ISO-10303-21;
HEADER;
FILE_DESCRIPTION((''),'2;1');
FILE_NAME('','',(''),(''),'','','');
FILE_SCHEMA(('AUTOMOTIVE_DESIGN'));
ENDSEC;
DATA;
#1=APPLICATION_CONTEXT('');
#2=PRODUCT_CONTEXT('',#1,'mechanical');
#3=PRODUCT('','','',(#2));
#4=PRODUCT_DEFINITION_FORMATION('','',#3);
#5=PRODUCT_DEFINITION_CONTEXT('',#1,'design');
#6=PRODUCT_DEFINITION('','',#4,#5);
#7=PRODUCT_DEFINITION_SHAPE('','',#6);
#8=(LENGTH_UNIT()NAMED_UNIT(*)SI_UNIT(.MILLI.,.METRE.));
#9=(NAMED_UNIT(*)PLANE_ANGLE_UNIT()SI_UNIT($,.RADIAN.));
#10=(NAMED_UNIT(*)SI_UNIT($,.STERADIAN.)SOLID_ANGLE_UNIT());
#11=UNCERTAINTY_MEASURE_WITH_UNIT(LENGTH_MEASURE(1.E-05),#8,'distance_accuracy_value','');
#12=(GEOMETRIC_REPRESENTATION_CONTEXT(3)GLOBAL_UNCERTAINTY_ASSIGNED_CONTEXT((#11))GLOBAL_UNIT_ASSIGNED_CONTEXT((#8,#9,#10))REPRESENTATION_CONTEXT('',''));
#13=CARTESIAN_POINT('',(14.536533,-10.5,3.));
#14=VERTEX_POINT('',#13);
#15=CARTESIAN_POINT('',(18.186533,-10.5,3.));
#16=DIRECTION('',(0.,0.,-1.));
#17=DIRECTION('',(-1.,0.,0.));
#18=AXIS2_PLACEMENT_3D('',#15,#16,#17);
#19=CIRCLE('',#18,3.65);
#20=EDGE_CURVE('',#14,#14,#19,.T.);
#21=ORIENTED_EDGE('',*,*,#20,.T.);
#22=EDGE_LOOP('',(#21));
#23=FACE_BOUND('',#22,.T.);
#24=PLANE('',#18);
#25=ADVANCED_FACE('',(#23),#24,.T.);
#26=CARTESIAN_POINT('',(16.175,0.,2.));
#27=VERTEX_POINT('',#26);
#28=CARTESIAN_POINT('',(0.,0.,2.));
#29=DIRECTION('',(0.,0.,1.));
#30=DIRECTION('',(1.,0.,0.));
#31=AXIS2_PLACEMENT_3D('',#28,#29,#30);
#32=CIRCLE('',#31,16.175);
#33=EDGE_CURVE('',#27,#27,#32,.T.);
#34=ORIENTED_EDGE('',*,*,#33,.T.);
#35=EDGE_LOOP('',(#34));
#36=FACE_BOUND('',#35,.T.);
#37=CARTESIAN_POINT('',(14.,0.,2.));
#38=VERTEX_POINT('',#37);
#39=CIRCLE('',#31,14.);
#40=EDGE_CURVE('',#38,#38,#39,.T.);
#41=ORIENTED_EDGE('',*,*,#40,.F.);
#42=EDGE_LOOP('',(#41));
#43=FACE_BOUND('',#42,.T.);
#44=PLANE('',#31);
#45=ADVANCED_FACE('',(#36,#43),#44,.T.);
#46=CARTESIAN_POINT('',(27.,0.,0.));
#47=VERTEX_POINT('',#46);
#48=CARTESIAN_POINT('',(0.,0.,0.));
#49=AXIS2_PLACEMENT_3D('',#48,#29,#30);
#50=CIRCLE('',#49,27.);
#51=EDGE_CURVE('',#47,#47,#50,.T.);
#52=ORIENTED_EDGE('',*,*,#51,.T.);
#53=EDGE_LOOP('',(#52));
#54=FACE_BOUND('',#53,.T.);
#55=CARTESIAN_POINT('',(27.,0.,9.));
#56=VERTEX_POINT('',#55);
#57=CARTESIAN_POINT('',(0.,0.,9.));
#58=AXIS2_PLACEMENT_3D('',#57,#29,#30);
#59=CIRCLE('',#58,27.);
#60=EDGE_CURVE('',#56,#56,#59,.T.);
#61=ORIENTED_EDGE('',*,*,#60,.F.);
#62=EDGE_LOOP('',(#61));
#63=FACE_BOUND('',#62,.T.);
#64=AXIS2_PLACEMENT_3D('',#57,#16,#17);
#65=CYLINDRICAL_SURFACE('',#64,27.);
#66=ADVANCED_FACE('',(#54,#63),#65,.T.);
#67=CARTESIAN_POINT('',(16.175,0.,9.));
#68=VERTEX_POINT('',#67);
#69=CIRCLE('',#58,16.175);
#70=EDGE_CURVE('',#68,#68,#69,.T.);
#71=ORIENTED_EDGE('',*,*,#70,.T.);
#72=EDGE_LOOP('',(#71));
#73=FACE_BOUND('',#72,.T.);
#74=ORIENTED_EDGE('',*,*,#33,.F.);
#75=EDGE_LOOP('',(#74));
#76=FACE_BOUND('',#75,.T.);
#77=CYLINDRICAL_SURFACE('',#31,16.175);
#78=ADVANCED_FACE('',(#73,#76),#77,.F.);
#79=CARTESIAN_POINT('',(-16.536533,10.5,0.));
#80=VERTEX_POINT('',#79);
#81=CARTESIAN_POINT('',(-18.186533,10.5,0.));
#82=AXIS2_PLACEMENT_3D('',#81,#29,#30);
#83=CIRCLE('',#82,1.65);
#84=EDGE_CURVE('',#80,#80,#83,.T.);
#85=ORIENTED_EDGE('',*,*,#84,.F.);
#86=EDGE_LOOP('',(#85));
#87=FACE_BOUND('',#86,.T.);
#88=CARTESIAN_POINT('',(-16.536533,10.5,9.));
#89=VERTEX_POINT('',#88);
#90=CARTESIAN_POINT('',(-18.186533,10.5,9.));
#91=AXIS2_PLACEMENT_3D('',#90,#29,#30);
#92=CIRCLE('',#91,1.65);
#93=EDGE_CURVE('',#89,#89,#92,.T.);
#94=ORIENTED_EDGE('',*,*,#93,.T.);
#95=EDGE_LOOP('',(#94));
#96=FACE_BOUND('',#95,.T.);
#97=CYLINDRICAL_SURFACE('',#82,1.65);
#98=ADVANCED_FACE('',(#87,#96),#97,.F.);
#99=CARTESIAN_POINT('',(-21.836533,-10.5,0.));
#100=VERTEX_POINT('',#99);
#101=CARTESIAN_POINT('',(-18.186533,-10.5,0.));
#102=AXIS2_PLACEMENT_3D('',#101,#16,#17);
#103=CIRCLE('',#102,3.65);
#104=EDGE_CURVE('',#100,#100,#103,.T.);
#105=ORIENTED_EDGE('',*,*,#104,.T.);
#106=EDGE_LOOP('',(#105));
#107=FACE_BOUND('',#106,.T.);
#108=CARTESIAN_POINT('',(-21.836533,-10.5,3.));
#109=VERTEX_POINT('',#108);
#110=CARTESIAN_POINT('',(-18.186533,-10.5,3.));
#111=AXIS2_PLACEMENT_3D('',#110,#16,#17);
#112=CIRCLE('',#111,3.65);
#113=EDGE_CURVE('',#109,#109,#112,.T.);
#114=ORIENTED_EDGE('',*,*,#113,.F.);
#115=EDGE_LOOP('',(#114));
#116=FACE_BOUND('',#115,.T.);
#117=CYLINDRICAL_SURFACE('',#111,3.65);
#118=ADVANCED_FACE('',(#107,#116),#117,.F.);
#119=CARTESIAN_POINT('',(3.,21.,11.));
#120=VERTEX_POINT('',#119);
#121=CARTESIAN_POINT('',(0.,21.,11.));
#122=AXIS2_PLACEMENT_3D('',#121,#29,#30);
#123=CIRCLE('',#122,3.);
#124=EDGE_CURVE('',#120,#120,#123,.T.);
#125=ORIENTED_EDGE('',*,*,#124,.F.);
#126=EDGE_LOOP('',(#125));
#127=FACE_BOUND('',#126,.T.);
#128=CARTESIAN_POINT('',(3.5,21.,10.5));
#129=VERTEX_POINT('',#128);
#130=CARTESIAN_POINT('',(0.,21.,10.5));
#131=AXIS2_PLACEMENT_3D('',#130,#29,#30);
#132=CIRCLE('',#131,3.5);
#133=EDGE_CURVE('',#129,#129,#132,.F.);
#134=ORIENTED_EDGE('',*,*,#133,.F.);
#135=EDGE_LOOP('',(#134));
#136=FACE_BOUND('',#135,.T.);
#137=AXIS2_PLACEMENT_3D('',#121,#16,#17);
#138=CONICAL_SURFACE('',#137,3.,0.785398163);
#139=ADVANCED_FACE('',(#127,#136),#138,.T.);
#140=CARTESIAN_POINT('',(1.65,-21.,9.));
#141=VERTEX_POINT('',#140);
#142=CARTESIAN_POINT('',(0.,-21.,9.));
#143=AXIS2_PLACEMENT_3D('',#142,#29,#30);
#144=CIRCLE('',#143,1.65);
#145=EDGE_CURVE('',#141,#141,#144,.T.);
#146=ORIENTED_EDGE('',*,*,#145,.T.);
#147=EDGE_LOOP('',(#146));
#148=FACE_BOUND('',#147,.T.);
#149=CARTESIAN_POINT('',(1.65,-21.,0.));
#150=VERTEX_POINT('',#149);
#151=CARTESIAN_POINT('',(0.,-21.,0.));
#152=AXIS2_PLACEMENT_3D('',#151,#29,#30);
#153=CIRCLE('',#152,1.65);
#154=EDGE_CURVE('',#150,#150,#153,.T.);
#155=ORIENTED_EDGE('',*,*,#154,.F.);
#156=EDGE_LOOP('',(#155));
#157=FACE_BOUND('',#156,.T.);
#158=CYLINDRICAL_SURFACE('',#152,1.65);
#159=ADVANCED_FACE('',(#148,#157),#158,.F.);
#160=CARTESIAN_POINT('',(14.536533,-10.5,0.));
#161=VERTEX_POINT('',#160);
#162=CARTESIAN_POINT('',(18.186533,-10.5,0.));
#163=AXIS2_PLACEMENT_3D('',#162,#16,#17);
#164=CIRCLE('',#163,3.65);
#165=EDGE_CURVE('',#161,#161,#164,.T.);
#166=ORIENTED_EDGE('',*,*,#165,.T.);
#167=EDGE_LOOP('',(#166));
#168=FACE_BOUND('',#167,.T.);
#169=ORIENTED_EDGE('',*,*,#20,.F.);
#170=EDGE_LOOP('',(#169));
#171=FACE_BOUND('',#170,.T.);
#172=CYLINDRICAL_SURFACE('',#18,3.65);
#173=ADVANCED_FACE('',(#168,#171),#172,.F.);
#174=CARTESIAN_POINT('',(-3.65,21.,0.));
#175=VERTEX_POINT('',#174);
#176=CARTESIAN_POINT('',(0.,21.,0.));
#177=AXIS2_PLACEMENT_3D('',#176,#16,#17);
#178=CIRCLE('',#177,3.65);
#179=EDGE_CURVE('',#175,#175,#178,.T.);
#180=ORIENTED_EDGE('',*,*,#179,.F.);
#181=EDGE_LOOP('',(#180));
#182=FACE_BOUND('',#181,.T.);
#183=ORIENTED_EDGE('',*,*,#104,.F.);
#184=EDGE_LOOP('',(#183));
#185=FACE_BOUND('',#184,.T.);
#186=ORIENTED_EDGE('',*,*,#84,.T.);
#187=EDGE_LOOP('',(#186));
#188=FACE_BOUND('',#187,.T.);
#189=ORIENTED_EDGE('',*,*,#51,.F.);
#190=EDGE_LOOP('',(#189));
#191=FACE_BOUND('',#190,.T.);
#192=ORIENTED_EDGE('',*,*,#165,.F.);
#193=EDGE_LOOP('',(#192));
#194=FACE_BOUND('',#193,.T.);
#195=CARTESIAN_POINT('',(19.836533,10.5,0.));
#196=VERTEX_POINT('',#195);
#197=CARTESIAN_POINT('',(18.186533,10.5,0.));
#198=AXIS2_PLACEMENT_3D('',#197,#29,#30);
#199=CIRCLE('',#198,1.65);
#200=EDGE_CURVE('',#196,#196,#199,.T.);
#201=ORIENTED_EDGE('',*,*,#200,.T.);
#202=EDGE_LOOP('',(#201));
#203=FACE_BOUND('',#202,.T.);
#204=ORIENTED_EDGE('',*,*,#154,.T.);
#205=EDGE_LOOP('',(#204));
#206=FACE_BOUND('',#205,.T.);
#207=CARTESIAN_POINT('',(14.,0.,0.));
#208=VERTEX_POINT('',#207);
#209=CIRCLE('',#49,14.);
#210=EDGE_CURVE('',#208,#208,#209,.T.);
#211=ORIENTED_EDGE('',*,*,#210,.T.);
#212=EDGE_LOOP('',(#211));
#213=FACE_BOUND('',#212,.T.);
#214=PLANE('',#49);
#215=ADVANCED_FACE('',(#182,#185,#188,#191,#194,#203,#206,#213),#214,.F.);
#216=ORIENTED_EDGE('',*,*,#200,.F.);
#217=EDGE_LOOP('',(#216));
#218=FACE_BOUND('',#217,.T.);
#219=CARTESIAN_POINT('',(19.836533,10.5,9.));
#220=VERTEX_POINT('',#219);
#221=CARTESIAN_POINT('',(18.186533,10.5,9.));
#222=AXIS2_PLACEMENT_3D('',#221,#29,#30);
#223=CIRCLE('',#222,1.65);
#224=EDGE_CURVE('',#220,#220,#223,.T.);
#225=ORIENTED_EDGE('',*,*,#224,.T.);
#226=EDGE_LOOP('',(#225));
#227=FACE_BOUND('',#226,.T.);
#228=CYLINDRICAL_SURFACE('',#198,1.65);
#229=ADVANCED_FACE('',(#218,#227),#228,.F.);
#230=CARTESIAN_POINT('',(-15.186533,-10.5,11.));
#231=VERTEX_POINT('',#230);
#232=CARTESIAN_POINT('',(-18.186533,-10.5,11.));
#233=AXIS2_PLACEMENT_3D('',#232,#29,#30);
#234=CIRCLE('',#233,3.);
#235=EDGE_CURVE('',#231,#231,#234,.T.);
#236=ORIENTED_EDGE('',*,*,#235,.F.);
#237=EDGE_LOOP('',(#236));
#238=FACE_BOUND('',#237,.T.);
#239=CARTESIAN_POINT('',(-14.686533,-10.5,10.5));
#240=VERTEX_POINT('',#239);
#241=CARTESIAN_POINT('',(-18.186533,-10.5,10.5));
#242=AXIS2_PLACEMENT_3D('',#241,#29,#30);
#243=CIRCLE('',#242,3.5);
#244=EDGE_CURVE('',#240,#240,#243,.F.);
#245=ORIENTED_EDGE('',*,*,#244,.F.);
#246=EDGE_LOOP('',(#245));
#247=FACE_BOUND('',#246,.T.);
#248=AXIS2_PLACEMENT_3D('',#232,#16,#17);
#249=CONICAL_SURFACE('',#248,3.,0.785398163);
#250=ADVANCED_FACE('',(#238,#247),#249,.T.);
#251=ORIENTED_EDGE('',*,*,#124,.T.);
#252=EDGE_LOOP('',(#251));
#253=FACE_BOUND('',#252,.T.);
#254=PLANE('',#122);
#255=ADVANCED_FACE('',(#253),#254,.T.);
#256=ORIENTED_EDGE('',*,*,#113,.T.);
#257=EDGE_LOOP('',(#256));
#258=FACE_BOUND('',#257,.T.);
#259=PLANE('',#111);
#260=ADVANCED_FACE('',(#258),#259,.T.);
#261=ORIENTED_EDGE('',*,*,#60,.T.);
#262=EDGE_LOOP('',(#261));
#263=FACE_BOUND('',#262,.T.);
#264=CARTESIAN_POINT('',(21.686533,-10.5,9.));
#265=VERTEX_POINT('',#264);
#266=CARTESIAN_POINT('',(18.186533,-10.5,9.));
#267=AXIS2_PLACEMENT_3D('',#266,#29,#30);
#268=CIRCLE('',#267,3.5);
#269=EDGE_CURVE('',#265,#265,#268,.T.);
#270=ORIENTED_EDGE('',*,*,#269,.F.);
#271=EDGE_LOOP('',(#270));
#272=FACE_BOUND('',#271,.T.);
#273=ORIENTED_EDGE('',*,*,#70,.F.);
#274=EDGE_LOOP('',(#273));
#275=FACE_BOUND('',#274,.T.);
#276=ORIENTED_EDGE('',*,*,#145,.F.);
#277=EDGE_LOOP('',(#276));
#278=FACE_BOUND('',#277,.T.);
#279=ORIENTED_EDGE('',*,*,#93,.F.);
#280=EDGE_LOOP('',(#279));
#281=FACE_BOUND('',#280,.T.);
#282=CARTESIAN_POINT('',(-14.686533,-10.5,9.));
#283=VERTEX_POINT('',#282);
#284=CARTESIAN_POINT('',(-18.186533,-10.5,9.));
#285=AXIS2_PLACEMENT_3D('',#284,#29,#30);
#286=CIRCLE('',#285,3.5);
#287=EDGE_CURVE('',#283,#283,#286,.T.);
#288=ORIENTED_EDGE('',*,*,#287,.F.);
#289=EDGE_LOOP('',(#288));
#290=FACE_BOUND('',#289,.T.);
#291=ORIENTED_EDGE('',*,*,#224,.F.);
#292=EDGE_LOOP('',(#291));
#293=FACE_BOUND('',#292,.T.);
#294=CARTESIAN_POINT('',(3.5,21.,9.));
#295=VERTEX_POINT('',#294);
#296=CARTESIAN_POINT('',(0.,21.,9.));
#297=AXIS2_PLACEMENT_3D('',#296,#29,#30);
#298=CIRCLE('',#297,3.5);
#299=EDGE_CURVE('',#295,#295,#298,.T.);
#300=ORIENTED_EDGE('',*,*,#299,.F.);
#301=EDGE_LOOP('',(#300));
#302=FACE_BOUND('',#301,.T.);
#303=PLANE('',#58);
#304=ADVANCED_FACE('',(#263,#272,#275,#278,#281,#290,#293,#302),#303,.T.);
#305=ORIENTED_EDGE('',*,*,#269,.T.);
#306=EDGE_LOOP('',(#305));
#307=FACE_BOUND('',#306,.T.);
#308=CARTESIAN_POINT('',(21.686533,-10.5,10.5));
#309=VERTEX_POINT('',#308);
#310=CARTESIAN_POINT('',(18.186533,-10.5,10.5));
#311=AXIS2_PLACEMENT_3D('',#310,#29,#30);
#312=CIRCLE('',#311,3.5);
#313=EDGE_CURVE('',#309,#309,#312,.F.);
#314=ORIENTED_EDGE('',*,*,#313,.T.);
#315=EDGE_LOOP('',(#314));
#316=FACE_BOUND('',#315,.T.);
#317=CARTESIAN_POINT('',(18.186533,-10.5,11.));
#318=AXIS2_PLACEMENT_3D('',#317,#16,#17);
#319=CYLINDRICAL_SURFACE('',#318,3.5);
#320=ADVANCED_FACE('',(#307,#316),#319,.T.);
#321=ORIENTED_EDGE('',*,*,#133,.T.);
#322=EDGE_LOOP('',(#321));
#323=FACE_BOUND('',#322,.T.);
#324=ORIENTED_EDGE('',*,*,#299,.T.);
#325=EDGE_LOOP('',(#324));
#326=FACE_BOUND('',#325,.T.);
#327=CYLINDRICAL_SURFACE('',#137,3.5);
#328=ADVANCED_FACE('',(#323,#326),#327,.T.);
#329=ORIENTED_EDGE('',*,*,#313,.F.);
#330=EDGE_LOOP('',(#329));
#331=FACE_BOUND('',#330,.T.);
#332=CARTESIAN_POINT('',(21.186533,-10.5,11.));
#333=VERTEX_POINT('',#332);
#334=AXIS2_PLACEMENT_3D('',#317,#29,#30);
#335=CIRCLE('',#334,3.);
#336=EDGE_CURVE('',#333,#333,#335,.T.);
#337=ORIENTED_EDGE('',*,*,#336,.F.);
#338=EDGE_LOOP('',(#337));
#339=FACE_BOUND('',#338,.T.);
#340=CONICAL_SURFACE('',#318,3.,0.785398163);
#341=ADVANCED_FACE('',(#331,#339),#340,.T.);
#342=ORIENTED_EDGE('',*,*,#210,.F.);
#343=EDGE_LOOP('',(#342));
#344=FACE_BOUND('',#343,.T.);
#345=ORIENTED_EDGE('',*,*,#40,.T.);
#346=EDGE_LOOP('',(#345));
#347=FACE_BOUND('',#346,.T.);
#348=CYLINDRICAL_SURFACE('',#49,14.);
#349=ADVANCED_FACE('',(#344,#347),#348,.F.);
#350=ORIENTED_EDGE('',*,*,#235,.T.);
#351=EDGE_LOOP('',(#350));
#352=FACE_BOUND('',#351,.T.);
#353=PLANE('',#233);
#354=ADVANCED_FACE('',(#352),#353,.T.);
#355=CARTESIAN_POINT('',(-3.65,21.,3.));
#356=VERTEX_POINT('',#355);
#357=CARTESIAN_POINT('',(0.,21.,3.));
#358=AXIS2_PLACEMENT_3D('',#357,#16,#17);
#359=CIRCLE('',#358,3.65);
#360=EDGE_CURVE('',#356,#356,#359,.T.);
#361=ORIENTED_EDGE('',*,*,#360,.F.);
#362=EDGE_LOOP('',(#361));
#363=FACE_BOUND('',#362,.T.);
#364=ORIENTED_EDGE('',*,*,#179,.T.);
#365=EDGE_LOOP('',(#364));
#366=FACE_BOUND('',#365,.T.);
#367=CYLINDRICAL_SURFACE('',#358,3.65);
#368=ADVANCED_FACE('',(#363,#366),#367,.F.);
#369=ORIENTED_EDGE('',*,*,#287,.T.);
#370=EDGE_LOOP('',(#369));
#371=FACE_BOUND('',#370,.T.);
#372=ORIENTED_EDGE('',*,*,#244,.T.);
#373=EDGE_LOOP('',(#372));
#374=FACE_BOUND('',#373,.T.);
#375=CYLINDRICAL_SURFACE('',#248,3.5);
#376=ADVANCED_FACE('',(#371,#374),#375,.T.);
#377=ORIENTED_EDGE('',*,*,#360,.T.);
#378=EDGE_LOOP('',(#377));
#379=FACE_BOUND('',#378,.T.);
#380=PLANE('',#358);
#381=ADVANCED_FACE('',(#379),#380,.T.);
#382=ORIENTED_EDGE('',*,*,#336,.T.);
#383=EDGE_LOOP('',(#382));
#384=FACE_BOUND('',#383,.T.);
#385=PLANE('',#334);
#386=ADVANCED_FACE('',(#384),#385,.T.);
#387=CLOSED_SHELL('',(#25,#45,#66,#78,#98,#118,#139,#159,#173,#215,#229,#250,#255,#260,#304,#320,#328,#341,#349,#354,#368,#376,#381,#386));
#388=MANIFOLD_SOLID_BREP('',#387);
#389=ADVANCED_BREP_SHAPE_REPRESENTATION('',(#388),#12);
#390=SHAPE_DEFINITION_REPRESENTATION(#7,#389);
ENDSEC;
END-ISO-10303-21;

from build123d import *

# Parameters (mm, degrees)
SKETCH_1_R            = 27
EXTRUDE_360_DEPTH     = 9
SKETCH_2_R            = 16.175
CUT_EXTRUDE_445_DEPTH = 7
SKETCH_3_R            = 14
CUT_EXTRUDE_528_DEPTH = 39.820097888
SKETCH_4_R            = 1.65
CUT_EXTRUDE_687_DEPTH = 40.230090492
SKETCH_6_R            = 3.65
CUT_EXTRUDE_894_DEPTH = 3
SKETCH_7_R            = 3.5
EXTRUDE_1085_DEPTH    = 2
CHAMFER_1_SIZE        = 0.5


with BuildPart() as part:
    # Эскиз1 → Extrude 360 (new body)
    with BuildSketch(Plane.XY):
        Circle(SKETCH_1_R)
    extrude(amount=EXTRUDE_360_DEPTH)

    # Эскиз2 → Cut-Extrude 445 (cut)
    with BuildSketch(Plane.XY.offset(9)):
        Circle(SKETCH_2_R)
    extrude(amount=-CUT_EXTRUDE_445_DEPTH, mode=Mode.SUBTRACT)

    # Эскиз3 → Cut-Extrude 528 (cut, through all)
    with BuildSketch(Plane.XY.offset(2)):
        Circle(SKETCH_3_R)
    extrude(amount=-CUT_EXTRUDE_528_DEPTH, mode=Mode.SUBTRACT)

    # Эскиз4 → Cut-Extrude 687 (cut, through all)
    with BuildSketch(Plane.XY.offset(9)):
        with Locations((-18.186533479, 10.5)):
            Circle(SKETCH_4_R)
        with Locations((18.186533479, 10.5)):
            Circle(SKETCH_4_R)
        with Locations((0, -21)):
            Circle(SKETCH_4_R)
    extrude(amount=-CUT_EXTRUDE_687_DEPTH, mode=Mode.SUBTRACT)

    # Эскиз6 → Cut-Extrude 894 (cut)
    with BuildSketch(Plane(origin=(0, 0, 0), x_dir=(-1, 0, 0), z_dir=(0, 0, -1))):
        with Locations((0, 21)):
            Circle(SKETCH_6_R)
        with Locations((-18.186533479, -10.5)):
            Circle(SKETCH_6_R)
        with Locations((18.186533479, -10.5)):
            Circle(SKETCH_6_R)
    extrude(amount=-CUT_EXTRUDE_894_DEPTH, mode=Mode.SUBTRACT)

    # Эскиз7 → Extrude 1085 (add)
    with BuildSketch(Plane.XY.offset(9)):
        with Locations((0, 21)):
            Circle(SKETCH_7_R)
        with Locations((-18.186533479, -10.5)):
            Circle(SKETCH_7_R)
        with Locations((18.186533479, -10.5)):
            Circle(SKETCH_7_R)
    extrude(amount=EXTRUDE_1085_DEPTH)

    # Фаска1
    chamfer_1_edges = [part.edges().sort_by_distance(p)[0] for p in [
        (-3.5, 21, 11),
        (-21.686533479, -10.5, 11),
        (14.686533479, -10.5, 11),
    ]]
    chamfer(chamfer_1_edges, length=CHAMFER_1_SIZE)


solid = part.part
